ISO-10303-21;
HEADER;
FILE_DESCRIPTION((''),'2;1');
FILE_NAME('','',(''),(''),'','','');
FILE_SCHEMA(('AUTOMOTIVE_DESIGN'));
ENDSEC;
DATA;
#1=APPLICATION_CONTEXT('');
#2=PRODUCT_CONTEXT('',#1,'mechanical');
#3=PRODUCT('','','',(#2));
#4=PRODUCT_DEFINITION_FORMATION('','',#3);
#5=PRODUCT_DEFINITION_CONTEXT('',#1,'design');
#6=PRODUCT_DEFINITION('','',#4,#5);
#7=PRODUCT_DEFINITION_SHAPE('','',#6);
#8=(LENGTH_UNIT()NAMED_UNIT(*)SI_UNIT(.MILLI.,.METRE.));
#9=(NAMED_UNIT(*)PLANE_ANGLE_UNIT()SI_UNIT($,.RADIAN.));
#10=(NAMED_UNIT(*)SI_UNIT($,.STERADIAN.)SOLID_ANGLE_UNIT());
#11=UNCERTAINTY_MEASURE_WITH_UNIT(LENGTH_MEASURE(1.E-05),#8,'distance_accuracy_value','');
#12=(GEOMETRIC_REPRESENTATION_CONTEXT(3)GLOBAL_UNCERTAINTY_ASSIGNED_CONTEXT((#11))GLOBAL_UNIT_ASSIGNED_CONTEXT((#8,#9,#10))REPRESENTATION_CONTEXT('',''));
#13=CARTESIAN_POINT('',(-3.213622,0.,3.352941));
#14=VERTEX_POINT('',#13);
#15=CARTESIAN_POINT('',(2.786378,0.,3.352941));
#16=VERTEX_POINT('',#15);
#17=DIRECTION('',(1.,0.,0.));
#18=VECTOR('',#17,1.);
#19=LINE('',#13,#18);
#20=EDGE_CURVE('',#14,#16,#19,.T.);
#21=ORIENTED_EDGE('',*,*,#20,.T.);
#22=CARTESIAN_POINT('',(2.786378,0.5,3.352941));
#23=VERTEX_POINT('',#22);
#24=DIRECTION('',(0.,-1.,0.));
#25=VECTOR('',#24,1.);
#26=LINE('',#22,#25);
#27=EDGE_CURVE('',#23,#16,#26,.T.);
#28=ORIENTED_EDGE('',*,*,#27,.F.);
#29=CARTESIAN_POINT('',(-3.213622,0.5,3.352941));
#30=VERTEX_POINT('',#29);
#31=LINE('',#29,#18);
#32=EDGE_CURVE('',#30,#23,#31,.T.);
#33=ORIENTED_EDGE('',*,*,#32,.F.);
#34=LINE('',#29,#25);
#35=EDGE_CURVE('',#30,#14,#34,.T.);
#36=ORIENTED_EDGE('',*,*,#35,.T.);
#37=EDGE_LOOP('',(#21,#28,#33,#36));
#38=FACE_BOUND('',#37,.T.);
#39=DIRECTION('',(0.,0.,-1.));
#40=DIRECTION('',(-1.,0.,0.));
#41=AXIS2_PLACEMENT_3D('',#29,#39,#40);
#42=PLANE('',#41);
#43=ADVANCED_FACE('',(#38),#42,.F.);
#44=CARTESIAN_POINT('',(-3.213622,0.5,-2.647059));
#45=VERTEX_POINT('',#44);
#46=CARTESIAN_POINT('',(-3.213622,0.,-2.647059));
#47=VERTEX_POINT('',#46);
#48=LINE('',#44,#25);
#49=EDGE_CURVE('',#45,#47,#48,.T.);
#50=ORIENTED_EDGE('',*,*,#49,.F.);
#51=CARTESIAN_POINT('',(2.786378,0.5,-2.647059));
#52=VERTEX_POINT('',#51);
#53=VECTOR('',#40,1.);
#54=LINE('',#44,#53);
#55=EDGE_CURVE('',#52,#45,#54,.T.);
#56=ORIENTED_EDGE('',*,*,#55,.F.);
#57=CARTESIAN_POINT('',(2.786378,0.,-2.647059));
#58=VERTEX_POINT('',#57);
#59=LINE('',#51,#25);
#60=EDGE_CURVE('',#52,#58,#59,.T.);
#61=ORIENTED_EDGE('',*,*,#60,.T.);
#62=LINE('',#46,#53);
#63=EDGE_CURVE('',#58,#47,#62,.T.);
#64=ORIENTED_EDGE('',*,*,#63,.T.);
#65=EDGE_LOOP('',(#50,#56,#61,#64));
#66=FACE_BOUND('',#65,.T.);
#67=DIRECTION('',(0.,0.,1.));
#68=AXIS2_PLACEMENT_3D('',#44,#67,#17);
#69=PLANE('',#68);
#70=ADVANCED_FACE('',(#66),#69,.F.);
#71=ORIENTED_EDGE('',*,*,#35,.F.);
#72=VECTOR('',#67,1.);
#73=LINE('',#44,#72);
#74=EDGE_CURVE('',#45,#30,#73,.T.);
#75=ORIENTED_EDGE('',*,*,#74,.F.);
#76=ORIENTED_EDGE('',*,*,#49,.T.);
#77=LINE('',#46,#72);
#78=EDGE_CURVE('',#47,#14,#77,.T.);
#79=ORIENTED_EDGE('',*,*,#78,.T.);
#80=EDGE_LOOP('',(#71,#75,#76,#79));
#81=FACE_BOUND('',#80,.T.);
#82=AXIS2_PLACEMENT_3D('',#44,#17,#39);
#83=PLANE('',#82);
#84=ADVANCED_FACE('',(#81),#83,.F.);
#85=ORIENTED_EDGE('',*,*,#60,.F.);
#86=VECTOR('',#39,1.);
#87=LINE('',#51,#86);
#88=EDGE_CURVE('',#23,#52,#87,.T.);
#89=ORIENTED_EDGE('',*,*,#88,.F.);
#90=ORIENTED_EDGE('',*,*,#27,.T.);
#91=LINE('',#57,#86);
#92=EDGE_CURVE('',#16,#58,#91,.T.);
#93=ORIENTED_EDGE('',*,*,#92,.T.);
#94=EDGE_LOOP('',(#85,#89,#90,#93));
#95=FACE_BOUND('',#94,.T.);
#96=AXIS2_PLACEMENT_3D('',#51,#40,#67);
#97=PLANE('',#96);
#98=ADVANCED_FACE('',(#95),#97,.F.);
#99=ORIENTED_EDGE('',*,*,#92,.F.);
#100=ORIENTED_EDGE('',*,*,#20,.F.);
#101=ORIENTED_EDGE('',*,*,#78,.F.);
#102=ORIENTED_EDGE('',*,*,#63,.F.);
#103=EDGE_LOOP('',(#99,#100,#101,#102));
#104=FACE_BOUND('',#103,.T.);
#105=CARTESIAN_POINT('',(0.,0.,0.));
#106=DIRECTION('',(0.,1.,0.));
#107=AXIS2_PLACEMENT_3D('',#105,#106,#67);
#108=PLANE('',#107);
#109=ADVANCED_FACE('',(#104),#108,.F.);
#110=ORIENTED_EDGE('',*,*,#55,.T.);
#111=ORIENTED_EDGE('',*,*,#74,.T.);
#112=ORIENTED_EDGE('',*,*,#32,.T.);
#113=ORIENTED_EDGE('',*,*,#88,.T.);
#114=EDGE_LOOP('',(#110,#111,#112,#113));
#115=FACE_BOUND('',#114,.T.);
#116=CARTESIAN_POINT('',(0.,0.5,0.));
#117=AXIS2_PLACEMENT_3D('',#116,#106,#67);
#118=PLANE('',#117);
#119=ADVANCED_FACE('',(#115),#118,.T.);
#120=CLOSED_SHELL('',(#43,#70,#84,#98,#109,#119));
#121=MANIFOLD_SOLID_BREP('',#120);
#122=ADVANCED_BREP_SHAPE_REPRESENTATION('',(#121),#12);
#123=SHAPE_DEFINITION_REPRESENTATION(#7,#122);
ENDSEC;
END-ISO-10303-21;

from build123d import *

# Parameters (mm, degrees)
SKETCH_1_W      = 6
SKETCH_1_H      = 6
EXTRUDE_2_DEPTH = 0.5


with BuildPart() as part:
    # 草图1 → 凸台-拉伸2 (new body)
    with BuildSketch(Plane(origin=(0, 0, 0), x_dir=(1, 0, 0), z_dir=(0, 1, 0))):
        with Locations((-0.213622291, -0.352941176)):
            Rectangle(SKETCH_1_W, SKETCH_1_H)
    extrude(amount=EXTRUDE_2_DEPTH)


solid = part.part
